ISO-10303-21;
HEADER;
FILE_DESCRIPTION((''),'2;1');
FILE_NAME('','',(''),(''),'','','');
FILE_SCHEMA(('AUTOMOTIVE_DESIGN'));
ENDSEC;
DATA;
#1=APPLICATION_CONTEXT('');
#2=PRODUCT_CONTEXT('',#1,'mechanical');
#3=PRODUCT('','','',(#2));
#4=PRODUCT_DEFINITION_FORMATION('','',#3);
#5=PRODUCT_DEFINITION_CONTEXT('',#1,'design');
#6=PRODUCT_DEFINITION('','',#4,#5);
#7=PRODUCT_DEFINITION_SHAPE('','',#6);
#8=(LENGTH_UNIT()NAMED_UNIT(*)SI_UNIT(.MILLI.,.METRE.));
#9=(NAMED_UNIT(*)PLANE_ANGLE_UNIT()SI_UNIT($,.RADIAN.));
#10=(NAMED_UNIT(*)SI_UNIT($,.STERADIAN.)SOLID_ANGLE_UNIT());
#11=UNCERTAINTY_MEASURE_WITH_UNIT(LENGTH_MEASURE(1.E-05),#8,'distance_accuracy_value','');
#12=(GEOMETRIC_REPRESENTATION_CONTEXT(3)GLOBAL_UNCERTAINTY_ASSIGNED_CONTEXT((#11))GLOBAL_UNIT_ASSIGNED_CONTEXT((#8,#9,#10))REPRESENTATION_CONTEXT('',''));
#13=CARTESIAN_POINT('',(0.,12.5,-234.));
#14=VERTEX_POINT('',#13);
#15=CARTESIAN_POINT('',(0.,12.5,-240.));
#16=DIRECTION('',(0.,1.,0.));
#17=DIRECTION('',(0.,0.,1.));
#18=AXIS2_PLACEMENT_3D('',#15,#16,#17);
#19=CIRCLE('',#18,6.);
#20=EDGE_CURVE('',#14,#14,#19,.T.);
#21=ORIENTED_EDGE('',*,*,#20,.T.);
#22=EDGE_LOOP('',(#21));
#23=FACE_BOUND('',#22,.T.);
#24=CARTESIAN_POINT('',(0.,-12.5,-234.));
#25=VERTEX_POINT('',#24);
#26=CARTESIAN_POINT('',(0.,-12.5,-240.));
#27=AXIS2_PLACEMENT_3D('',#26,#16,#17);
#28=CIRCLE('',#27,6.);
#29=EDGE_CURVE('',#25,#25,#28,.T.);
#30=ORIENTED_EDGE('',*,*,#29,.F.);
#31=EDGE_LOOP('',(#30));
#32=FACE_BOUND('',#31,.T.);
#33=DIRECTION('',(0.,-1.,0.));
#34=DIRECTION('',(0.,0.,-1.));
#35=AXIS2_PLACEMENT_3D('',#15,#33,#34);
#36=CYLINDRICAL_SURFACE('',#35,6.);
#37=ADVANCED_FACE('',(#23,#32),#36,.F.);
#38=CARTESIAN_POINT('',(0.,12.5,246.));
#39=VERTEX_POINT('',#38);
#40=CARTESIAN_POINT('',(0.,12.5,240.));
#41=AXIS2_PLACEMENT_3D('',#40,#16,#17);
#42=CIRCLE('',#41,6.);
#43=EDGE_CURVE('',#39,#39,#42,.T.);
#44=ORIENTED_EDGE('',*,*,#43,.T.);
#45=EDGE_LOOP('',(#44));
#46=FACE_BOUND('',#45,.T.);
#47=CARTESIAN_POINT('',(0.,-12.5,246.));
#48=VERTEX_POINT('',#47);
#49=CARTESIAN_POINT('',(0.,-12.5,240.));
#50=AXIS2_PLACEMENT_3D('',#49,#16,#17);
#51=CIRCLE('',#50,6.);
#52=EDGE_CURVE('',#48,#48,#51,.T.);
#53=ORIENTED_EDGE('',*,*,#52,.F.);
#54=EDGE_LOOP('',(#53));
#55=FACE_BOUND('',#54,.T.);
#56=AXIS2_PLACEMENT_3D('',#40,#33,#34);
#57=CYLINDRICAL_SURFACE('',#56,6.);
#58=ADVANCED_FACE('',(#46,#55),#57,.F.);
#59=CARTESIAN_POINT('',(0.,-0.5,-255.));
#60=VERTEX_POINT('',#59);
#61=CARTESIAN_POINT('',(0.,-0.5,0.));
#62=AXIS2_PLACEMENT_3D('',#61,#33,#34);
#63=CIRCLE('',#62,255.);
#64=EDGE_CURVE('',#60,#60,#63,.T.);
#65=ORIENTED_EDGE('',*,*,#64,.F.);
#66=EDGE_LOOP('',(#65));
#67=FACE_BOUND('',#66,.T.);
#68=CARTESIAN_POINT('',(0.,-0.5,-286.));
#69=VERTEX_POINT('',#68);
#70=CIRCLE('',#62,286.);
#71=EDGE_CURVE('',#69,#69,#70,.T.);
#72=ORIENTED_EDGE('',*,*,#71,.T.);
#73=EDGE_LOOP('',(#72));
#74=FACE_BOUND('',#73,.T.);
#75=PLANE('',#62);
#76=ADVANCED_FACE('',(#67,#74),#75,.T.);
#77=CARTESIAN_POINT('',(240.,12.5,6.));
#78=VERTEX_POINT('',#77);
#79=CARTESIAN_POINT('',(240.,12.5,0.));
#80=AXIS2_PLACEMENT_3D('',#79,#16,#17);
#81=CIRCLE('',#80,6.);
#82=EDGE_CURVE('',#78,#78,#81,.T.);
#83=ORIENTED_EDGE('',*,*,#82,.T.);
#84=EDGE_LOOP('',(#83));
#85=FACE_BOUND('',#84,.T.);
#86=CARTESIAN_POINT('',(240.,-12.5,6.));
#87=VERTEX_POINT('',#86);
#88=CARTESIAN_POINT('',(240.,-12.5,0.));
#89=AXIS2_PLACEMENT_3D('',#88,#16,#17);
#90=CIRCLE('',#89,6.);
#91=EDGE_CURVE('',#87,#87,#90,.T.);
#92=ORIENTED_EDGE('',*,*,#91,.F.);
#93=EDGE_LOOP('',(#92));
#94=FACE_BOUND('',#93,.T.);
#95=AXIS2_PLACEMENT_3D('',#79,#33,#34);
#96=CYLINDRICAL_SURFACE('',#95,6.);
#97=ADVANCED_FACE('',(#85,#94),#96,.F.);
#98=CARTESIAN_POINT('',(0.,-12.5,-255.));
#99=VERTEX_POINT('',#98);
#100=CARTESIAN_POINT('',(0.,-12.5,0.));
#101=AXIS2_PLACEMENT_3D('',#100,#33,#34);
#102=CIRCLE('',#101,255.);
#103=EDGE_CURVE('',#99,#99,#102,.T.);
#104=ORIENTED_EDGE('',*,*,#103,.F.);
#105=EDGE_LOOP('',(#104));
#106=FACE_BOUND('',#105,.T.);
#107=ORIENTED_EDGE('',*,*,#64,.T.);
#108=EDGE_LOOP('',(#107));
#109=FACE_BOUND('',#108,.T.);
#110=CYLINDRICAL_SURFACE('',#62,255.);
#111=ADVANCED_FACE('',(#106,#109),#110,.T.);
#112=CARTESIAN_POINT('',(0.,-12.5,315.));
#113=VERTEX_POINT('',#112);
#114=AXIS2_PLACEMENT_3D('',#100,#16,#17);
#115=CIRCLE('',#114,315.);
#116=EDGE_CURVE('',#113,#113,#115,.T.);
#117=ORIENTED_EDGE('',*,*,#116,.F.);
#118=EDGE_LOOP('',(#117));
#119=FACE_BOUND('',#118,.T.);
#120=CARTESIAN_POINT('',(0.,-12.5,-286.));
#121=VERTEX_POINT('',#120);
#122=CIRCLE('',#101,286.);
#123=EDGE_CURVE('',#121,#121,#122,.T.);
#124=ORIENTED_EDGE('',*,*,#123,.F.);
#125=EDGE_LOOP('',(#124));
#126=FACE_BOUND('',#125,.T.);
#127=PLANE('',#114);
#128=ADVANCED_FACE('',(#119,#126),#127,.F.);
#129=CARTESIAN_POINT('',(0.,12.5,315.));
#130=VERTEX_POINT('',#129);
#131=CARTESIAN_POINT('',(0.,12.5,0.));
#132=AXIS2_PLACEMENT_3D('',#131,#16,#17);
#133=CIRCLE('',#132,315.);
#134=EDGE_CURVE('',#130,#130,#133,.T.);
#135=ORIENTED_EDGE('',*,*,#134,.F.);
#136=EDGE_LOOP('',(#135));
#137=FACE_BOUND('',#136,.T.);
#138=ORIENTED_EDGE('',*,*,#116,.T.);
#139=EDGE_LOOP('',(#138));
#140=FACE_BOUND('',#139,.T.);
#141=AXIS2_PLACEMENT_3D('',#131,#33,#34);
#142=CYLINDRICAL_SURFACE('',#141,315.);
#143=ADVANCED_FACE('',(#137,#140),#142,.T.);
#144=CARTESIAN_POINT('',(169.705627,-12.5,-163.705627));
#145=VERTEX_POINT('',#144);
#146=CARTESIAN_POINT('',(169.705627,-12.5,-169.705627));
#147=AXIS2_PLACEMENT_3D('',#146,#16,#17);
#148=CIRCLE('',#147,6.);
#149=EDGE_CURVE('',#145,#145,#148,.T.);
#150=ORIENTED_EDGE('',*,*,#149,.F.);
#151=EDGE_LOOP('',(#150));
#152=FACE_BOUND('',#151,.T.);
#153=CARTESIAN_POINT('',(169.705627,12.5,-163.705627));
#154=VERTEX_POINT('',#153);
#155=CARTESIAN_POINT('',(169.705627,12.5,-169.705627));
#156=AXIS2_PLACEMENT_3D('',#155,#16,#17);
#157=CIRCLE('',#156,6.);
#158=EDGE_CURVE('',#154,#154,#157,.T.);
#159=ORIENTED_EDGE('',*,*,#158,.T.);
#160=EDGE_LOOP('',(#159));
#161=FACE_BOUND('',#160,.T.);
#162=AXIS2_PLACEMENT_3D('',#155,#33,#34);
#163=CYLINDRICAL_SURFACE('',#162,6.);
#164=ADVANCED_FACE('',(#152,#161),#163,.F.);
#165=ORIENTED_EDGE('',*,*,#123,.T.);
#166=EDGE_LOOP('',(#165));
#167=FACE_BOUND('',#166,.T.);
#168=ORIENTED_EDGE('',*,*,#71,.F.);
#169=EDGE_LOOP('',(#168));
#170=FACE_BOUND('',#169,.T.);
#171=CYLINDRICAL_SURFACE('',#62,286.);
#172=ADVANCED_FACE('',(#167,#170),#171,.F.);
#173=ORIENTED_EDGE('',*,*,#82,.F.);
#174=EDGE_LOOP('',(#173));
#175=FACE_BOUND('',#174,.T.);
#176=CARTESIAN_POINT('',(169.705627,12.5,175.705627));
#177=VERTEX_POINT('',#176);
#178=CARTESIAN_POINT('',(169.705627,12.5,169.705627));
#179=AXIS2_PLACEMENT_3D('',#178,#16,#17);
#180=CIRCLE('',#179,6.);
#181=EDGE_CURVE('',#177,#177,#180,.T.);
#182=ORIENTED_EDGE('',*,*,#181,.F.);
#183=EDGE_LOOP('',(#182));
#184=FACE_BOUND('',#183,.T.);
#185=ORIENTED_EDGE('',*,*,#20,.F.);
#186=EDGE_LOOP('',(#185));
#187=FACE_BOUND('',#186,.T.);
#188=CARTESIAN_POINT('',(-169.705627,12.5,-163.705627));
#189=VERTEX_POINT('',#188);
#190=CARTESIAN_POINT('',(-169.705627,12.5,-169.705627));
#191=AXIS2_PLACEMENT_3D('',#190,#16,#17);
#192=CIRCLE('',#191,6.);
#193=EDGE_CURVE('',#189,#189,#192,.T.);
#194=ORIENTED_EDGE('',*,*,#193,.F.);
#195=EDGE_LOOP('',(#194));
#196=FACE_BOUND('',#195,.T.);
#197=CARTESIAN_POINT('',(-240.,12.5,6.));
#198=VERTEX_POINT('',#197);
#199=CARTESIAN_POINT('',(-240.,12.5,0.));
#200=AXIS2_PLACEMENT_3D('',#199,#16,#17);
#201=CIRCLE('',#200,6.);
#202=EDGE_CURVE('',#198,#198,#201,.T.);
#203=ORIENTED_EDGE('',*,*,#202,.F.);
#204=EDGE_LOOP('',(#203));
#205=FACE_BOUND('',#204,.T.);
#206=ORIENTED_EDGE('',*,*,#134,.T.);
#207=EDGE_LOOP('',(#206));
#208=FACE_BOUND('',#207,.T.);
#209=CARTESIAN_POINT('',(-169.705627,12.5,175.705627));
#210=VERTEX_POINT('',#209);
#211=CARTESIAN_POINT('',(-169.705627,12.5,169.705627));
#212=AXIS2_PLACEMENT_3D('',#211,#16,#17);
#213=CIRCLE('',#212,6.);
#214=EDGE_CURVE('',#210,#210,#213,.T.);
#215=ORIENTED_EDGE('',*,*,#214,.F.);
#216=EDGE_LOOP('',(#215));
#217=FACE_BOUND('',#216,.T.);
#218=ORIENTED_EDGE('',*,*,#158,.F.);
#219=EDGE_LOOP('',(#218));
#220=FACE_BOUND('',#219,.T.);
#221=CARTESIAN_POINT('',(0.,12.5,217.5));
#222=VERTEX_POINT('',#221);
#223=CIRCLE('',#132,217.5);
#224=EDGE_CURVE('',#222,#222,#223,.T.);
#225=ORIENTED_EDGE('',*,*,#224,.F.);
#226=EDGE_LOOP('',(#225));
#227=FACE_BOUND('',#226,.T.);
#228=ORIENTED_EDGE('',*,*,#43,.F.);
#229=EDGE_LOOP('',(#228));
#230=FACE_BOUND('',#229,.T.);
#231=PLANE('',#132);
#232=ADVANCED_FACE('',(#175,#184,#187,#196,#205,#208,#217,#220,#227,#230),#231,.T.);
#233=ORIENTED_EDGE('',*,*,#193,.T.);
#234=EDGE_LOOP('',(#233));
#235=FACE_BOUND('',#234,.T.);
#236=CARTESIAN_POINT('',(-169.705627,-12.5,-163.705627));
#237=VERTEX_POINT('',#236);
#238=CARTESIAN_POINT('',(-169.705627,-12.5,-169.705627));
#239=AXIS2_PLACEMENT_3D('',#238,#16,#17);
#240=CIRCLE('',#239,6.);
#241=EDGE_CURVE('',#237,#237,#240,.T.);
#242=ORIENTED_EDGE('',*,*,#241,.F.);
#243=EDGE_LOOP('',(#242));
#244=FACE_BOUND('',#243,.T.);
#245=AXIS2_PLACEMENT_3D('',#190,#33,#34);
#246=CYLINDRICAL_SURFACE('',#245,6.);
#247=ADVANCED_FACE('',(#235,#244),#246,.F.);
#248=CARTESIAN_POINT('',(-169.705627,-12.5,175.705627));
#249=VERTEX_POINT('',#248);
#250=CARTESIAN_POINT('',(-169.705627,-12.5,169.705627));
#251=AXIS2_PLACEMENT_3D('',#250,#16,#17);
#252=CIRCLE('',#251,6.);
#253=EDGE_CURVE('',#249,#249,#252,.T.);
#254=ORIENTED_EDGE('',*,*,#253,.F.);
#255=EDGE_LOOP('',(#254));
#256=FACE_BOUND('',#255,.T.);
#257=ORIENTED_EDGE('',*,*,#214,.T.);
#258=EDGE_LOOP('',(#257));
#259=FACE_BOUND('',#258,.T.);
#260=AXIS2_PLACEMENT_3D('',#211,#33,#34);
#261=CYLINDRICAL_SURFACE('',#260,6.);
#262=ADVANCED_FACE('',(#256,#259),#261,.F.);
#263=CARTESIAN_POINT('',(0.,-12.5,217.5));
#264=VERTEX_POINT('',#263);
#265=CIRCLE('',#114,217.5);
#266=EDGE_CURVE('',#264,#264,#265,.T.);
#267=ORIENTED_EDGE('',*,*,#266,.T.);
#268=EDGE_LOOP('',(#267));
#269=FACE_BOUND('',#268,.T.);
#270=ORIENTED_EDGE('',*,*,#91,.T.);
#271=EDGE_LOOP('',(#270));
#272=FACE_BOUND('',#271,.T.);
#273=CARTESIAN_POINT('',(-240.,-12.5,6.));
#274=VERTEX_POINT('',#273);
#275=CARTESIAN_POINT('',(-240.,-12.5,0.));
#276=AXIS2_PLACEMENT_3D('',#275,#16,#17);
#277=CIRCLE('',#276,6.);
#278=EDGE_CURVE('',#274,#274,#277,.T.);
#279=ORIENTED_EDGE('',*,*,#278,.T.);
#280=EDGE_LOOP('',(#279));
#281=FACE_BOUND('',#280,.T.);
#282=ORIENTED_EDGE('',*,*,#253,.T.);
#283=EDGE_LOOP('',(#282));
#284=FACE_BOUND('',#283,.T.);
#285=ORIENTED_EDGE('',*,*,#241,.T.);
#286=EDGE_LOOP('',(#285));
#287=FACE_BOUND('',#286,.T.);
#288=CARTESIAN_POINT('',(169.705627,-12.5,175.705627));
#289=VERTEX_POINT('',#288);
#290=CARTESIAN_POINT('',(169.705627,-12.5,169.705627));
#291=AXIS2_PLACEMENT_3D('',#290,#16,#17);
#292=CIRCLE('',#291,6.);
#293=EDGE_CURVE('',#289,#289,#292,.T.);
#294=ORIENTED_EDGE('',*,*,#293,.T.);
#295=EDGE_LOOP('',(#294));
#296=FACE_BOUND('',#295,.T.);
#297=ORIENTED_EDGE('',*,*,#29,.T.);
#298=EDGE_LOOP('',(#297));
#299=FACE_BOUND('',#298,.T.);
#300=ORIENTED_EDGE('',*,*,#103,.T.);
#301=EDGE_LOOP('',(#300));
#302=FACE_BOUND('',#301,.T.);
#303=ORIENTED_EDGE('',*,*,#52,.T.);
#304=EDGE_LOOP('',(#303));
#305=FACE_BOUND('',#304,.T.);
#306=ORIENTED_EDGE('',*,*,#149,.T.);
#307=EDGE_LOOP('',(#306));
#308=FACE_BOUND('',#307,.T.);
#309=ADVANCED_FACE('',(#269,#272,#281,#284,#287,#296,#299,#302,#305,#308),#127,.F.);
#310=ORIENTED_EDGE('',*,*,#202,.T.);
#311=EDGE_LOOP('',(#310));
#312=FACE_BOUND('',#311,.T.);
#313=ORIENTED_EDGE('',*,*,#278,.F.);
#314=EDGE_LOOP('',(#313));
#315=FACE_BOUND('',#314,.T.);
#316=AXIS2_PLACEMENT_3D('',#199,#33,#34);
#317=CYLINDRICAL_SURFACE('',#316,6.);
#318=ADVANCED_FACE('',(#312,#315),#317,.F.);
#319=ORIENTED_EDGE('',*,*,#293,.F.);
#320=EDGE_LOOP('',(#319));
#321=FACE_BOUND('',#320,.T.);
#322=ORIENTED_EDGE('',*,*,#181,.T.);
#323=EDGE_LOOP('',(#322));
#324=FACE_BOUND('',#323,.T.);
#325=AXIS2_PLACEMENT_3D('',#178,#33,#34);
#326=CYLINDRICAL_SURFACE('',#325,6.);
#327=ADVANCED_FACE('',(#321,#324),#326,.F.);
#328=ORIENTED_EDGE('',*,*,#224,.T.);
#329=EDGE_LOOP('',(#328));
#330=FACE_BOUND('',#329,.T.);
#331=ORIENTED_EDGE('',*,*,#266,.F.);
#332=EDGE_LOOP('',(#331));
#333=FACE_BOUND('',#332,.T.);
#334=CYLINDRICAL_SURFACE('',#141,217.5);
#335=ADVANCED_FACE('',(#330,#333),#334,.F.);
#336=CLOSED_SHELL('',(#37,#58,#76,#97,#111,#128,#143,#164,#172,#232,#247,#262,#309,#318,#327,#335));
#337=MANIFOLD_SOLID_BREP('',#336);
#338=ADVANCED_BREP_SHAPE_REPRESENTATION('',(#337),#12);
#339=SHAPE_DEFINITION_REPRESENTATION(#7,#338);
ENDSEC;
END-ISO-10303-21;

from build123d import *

# Parameters (mm, degrees)
SKETCH1_R           = 315
SKETCH1_R_2         = 217.5
SKETCH1_R_3         = 6
BOSS_EXTRUDE1_DEPTH = 12.5
SKETCH2_R           = 286
SKETCH2_R_2         = 255
CUT_EXTRUDE1_DEPTH  = 12


with BuildPart() as part:
    # Sketch1 → Boss-Extrude1 (new, symmetric)
    with BuildSketch(Plane(origin=(0, 0, 0), x_dir=(1, 0, 0), z_dir=(0, 1, 0))):
        with Locations(Location((0, 0, 0), (0, 0, 270))):
            Circle(SKETCH1_R)
        with Locations(Location((0, 0, 0), (0, 0, 270))):
            Circle(SKETCH1_R_2, mode=Mode.SUBTRACT)
        with Locations(Location((0, 240, 0), (0, 0, 270))):
            Circle(SKETCH1_R_3, mode=Mode.SUBTRACT)
        with Locations(Location((169.705627485, 169.705627485, 0), (0, 0, 270))):
            Circle(SKETCH1_R_3, mode=Mode.SUBTRACT)
        with Locations(Location((240, 0, 0), (0, 0, 270))):
            Circle(SKETCH1_R_3, mode=Mode.SUBTRACT)
        with Locations(Location((169.705627485, -169.705627485, 0), (0, 0, 270))):
            Circle(SKETCH1_R_3, mode=Mode.SUBTRACT)
        with Locations(Location((0, -240, 0), (0, 0, 270))):
            Circle(SKETCH1_R_3, mode=Mode.SUBTRACT)
        with Locations(Location((-169.705627485, -169.705627485, 0), (0, 0, 270))):
            Circle(SKETCH1_R_3, mode=Mode.SUBTRACT)
        with Locations(Location((-240, 0, 0), (0, 0, 270))):
            Circle(SKETCH1_R_3, mode=Mode.SUBTRACT)
        with Locations(Location((-169.705627485, 169.705627485, 0), (0, 0, 270))):
            Circle(SKETCH1_R_3, mode=Mode.SUBTRACT)
    extrude(amount=BOSS_EXTRUDE1_DEPTH, both=True)

    # Sketch2 → Cut-Extrude1 (cut)
    with BuildSketch(Plane.XZ.offset(12.5)):
        with Locations(Location((0, 0, 0), (0, 0, 270))):
            Circle(SKETCH2_R)
        with Locations(Location((0, 0, 0), (0, 0, 270))):
            Circle(SKETCH2_R_2, mode=Mode.SUBTRACT)
    extrude(amount=-CUT_EXTRUDE1_DEPTH, mode=Mode.SUBTRACT)


solid = part.part
